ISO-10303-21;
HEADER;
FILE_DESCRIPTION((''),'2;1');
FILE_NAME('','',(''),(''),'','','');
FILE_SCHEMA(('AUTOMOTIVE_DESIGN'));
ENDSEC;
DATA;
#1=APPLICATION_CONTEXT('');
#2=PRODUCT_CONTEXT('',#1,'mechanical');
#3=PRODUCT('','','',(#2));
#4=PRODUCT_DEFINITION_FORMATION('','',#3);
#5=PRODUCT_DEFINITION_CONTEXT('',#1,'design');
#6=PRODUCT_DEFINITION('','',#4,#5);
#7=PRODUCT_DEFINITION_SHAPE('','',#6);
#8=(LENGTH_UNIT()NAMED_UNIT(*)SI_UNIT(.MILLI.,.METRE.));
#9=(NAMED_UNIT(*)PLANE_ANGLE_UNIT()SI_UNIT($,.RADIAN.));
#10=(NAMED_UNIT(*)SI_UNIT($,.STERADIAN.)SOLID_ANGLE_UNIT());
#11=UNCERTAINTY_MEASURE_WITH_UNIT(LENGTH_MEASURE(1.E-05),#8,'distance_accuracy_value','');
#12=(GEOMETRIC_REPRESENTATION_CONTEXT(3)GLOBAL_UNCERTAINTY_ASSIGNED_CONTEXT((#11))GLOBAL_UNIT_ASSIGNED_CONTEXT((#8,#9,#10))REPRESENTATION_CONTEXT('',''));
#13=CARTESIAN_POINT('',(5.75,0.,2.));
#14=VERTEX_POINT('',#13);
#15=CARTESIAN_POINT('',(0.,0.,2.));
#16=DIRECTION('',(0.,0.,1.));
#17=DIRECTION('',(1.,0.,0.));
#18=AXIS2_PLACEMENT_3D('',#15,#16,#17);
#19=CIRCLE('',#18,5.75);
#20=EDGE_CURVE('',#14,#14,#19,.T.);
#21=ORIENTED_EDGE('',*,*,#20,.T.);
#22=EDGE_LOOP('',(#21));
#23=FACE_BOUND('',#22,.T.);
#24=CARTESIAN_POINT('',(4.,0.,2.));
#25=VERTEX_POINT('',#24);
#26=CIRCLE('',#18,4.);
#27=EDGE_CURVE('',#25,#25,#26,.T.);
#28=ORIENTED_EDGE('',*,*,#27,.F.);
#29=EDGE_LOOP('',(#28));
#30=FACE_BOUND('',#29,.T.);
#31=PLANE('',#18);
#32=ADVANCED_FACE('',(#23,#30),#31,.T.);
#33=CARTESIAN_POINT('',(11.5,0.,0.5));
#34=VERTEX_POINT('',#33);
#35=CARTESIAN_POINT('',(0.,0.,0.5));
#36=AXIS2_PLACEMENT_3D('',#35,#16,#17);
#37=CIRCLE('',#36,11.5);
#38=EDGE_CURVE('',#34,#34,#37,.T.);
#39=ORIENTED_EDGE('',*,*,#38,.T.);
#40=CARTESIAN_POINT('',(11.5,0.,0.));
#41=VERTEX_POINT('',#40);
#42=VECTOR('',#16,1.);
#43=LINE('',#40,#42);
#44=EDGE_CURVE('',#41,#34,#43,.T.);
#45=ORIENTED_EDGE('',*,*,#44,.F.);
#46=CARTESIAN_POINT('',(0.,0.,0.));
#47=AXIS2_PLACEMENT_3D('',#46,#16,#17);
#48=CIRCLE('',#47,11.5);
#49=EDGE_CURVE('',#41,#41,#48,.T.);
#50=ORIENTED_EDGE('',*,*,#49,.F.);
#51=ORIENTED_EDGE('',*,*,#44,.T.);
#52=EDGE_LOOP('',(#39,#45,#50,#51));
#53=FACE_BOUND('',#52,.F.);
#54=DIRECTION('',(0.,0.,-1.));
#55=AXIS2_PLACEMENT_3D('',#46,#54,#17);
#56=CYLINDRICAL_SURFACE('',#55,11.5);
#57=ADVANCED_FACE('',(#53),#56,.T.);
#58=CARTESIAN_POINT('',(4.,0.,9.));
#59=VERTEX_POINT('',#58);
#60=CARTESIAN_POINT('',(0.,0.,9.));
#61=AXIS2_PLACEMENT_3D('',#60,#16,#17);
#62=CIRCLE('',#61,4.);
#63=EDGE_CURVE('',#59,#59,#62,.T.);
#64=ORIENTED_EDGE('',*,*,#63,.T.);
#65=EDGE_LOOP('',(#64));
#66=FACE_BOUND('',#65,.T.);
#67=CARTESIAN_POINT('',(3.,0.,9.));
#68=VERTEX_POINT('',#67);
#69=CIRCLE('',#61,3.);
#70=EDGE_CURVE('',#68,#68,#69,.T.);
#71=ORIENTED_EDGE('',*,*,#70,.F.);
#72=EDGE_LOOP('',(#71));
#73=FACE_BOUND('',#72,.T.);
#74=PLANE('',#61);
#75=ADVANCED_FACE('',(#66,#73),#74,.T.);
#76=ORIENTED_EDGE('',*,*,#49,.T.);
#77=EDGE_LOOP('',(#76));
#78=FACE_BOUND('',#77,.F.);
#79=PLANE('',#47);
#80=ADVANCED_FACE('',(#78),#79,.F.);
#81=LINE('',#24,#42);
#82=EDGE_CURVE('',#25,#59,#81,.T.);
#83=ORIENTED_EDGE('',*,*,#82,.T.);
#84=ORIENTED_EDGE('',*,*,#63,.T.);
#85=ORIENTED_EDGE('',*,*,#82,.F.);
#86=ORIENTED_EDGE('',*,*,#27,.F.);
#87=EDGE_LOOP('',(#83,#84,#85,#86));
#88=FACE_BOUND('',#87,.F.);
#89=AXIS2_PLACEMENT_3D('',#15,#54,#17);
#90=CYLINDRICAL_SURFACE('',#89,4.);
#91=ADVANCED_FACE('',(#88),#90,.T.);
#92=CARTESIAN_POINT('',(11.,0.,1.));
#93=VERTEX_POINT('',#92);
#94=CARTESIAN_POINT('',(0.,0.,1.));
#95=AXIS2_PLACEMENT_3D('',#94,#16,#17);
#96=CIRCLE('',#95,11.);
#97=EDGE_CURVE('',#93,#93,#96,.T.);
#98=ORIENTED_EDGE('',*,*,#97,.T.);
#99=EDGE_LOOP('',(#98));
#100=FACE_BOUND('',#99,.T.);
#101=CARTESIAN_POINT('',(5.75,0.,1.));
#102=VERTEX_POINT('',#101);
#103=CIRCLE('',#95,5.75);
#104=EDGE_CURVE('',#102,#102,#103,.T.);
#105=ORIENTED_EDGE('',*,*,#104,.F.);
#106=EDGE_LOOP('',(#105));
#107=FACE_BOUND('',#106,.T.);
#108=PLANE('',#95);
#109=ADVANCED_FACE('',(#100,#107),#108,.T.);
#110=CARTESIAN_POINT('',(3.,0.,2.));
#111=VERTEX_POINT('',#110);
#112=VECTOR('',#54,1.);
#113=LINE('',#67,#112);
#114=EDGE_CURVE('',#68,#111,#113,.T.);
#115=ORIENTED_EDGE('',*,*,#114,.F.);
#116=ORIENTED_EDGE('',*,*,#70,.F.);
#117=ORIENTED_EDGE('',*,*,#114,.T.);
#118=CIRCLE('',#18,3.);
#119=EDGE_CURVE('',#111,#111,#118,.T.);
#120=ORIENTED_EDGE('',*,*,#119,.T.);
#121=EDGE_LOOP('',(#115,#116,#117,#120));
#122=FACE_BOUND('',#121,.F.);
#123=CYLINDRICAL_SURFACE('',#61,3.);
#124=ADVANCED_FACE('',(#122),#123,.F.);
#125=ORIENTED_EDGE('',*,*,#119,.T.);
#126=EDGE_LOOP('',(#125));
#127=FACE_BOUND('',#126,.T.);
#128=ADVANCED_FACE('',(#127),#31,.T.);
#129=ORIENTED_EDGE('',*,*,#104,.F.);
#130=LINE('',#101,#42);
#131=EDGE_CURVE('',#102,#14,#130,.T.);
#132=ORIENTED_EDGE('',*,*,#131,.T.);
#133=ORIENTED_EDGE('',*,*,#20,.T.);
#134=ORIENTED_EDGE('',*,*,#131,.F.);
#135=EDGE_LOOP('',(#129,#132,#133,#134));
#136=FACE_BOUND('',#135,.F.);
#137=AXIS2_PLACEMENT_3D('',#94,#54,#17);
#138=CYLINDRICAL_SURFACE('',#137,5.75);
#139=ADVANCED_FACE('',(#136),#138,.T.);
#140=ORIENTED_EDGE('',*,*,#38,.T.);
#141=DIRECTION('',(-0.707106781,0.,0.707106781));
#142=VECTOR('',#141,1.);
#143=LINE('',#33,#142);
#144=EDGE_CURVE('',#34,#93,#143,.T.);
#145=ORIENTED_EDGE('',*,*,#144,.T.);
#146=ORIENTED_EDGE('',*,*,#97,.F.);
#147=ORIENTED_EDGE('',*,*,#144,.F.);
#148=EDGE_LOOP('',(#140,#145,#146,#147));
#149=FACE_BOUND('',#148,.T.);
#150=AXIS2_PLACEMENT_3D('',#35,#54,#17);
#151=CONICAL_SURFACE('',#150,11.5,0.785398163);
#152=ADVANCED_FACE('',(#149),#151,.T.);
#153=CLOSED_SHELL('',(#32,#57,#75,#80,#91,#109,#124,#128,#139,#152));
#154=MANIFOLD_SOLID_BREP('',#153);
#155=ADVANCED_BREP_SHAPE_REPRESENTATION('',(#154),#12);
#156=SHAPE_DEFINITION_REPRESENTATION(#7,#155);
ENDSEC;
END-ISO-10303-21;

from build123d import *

# Parameters (mm, degrees)
F0_R     = 11.5
F1_DEPTH = 1
F2_R     = 5.75
F3_DEPTH = 1
F4_R     = 4
F5_DEPTH = 7
F6_R     = 3
F7_DEPTH = 7
F8_SIZE  = 0.5


with BuildPart() as f1:
    # F0 (on Top) → F1 (new body)
    with BuildSketch(Plane.XY):
        Circle(F0_R)
    extrude(amount=F1_DEPTH)

    # F2 (on face) → F3 (join)
    with BuildSketch(Plane.XY.offset(1)):
        Circle(F2_R)
    extrude(amount=F3_DEPTH)

    # F4 (on face) → F5 (join)
    with BuildSketch(Plane.XY.offset(2)):
        Circle(F4_R)
    extrude(amount=F5_DEPTH)

    # F6 (on face) → F7 (cut)
    with BuildSketch(Plane.XY.offset(9)):
        Circle(F6_R)
    extrude(amount=-F7_DEPTH, mode=Mode.SUBTRACT)

    # F8
    f8_edges = [f1.edges().sort_by_distance(p)[0] for p in [
        (-11.5, 0, 1),
    ]]
    chamfer(f8_edges, length=F8_SIZE)


solid = f1.part
